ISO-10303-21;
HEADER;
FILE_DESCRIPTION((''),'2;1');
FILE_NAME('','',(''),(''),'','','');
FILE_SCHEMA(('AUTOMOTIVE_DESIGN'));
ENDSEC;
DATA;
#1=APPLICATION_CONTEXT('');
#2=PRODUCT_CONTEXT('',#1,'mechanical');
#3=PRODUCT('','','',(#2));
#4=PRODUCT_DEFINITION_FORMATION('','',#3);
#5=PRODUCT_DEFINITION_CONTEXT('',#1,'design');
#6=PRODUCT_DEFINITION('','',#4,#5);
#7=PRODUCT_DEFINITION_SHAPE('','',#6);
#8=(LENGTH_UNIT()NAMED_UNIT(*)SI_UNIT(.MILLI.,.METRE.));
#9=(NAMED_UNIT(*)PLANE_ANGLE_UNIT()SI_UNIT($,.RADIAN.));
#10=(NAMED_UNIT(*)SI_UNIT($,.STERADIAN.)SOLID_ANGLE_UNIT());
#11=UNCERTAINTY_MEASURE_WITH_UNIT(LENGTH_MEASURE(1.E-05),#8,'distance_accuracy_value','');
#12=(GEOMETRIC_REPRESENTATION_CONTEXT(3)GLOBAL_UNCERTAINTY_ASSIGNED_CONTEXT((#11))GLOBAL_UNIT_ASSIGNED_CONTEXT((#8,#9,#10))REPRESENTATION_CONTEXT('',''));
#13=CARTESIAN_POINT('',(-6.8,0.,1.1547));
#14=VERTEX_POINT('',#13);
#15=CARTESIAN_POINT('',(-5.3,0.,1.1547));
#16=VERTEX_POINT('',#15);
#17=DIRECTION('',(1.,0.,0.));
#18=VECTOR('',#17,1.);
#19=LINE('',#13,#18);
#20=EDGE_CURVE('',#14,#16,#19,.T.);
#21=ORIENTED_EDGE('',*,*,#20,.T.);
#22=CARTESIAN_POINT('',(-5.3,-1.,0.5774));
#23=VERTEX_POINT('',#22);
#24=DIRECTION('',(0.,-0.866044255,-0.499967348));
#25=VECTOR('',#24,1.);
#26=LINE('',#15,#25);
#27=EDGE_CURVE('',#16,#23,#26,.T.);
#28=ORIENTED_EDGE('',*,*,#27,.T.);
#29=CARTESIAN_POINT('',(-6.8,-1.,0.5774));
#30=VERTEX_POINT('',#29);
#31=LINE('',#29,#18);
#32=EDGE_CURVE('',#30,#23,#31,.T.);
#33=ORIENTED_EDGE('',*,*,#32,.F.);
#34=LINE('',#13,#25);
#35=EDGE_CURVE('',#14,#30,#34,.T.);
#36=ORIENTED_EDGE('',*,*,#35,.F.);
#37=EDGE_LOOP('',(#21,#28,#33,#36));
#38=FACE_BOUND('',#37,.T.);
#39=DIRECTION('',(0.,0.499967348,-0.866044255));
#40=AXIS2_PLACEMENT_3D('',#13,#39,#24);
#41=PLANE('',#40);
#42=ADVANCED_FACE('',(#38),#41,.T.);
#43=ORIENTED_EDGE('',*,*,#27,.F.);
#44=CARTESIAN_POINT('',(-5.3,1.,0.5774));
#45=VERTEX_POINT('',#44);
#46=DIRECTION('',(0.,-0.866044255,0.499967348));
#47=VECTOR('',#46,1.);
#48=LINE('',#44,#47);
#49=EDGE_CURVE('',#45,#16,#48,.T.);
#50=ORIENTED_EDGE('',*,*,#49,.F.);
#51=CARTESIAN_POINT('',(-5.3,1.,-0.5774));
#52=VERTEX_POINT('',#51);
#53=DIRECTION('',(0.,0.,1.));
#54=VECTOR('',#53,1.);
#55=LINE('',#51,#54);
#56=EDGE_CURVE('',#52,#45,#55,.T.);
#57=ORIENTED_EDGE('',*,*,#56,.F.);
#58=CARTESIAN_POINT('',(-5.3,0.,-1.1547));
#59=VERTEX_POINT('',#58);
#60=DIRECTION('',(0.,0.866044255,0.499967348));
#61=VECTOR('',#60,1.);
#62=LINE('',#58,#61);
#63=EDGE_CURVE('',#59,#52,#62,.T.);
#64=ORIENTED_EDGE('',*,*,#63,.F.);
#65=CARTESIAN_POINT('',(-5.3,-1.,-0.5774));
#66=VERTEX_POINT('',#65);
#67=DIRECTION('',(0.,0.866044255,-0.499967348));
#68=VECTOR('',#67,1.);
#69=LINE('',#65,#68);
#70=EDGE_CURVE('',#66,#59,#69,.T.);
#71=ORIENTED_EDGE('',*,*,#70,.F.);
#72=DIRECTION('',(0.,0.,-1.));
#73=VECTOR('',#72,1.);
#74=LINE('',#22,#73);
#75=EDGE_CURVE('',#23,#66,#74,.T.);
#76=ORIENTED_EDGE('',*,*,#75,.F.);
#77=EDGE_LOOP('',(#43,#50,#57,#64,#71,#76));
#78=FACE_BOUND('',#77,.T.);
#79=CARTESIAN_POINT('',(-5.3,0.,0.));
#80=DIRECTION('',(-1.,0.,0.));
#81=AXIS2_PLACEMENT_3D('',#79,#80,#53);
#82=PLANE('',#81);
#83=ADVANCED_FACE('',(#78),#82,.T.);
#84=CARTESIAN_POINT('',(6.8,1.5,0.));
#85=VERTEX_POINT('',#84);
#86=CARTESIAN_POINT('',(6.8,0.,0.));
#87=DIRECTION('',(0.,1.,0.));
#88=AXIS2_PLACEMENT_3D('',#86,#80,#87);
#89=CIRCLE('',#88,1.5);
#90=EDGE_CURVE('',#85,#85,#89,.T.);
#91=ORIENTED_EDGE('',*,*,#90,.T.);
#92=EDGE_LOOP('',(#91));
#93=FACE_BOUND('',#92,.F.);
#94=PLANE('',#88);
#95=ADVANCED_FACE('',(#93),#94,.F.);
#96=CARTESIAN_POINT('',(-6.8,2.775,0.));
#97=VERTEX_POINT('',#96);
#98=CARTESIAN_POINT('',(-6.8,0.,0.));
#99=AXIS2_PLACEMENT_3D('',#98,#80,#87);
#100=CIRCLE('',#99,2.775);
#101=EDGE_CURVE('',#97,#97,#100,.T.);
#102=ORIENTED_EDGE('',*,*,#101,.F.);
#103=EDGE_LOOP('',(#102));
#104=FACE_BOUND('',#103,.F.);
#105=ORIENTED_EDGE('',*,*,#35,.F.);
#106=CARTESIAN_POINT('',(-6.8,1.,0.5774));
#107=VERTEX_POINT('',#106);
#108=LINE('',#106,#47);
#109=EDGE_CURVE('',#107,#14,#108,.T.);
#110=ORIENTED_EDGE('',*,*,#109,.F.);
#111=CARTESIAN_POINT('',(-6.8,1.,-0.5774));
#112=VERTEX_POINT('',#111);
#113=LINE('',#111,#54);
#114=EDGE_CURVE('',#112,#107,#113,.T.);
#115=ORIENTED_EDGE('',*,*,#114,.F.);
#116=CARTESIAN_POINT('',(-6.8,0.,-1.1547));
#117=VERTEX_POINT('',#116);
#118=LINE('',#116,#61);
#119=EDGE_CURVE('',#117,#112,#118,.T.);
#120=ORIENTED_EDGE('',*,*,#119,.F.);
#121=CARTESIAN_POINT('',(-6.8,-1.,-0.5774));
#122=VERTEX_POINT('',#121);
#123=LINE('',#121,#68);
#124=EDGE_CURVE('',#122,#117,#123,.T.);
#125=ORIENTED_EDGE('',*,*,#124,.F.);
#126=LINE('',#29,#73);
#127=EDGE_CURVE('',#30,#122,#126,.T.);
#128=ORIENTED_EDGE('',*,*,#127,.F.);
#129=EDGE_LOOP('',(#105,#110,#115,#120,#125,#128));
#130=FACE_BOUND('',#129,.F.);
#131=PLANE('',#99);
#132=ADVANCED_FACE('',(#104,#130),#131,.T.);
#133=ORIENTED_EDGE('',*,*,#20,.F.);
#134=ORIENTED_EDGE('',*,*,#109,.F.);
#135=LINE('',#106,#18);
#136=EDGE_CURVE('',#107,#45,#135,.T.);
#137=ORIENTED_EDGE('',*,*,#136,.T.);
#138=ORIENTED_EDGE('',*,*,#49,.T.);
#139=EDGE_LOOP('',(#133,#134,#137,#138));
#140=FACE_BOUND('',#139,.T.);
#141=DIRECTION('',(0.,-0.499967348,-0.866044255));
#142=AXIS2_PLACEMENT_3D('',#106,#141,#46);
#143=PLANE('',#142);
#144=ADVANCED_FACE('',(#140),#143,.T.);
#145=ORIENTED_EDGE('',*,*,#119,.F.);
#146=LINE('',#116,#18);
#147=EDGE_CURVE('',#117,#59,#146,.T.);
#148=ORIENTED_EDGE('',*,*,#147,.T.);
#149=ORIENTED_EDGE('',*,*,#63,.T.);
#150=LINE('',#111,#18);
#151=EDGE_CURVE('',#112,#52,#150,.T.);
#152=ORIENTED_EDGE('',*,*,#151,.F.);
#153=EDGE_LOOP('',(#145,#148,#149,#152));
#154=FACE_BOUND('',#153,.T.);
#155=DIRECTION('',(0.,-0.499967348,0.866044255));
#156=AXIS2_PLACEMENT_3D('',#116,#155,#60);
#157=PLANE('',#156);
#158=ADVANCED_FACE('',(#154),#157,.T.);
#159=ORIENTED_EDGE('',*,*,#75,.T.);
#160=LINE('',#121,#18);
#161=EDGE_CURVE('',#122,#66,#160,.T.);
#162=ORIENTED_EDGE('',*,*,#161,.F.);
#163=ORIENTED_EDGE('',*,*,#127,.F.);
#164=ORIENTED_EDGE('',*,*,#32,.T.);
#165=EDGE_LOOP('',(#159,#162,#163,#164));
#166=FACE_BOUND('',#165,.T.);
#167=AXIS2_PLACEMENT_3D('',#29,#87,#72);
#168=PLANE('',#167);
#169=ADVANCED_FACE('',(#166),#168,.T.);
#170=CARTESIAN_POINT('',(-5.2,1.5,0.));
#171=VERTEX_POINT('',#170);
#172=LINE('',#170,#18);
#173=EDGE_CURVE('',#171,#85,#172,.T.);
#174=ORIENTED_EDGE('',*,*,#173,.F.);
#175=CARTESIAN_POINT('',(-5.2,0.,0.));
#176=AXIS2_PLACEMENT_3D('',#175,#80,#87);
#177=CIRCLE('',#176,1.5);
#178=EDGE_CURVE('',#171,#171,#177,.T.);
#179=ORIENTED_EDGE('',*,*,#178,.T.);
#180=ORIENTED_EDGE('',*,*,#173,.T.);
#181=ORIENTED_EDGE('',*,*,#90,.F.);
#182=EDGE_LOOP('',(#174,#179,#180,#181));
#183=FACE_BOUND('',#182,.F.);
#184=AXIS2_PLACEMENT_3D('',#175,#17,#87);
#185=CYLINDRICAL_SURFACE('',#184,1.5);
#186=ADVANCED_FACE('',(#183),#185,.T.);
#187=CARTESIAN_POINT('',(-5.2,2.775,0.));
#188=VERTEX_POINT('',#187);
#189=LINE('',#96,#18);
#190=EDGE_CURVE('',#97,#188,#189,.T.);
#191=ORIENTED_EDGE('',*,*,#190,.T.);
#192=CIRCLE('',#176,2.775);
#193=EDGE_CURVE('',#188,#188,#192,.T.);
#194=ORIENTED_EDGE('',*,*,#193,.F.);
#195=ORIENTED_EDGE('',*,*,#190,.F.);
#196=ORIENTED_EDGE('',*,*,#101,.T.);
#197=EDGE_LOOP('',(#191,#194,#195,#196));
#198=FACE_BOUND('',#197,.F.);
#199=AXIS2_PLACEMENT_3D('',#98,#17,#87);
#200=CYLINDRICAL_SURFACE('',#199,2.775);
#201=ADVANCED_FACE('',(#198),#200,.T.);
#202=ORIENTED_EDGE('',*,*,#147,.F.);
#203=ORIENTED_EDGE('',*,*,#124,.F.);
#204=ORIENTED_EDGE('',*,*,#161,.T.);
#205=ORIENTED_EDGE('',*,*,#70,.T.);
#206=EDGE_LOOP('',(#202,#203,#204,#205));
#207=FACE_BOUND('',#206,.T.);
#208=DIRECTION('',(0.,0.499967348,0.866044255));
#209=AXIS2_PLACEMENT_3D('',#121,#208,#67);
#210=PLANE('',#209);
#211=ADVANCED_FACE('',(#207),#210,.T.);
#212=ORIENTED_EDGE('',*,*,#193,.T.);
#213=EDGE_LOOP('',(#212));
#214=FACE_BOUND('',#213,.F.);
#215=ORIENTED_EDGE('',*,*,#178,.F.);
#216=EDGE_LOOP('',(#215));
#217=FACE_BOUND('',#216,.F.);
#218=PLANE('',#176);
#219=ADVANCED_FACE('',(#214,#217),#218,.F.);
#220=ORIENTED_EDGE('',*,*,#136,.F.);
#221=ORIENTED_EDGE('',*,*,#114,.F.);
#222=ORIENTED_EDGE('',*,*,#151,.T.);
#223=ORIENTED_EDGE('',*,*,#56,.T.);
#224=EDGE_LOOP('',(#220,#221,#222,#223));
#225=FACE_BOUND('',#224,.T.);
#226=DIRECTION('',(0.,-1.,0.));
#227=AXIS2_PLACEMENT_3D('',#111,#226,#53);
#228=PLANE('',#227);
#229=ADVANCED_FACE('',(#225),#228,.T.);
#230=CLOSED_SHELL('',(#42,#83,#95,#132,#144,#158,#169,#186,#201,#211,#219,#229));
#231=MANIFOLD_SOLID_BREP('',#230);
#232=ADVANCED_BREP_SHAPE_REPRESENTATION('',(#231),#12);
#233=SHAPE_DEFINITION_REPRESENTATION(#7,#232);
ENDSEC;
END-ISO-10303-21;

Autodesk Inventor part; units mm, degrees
ref_plane "YZ Plane" through (0, 0, 0) normal (1, 0, 0) x (0, 1, 0)
ref_plane "XZ Plane" through (0, 0, 0) normal (0, 1, 0) x (-1, 0, 0)
ref_plane "XY Plane" through (0, 0, 0) normal (0, 0, 1) x (1, 0, 0)
sketch "Sketch1" plane through (0, 0, 0) normal (0, 0, 1) x (1, 0, 0)
  line L0 (0, 0) -> (-6.8, 0)
  line L1 (-6.8, 0) -> (-6.8, 2.775)
  line L2 (-6.8, 2.775) -> (-5.2, 2.775)
  line L3 (-5.2, 2.775) -> (-5.2, 1.5)
  line L4 (-5.2, 1.5) -> (6.8, 1.5)
  line L5 (6.8, 1.5) -> (6.8, 0)
  line L6 (6.8, 0) -> (0, 0)
  dimension "d0" = 12
  dimension "d1" = 2.775
  dimension "d2" = 1.6
  dimension "d3" = 1.5
revolve "Revolution1" add sketch "Sketch1" angle 360 about axis through (0, 0, 0) along (-1, 0, 0)
sketch "Sketch2" plane through (-6.8, 0, 0) normal (-1, 0, 0) x (0, 0, 1)
  line L0 (-1.1547, 0) -> (-0.5774, 1)
  line L1 (-0.5774, 1) -> (0.5774, 1)
  line L2 (0.5774, 1) -> (1.1547, 0)
  line L3 (1.1547, 0) -> (0.5774, -1)
  line L4 (0.5774, -1) -> (-0.5774, -1)
  line L5 (-0.5774, -1) -> (-1.1547, 0)
  point P0 (0, 0)
  point P1 (0, 0)
  dimension "d5" = 2
extrude "Extrusion1" cut sketch "Sketch2" against normal blind 1.5
properties part number "M3x12"
